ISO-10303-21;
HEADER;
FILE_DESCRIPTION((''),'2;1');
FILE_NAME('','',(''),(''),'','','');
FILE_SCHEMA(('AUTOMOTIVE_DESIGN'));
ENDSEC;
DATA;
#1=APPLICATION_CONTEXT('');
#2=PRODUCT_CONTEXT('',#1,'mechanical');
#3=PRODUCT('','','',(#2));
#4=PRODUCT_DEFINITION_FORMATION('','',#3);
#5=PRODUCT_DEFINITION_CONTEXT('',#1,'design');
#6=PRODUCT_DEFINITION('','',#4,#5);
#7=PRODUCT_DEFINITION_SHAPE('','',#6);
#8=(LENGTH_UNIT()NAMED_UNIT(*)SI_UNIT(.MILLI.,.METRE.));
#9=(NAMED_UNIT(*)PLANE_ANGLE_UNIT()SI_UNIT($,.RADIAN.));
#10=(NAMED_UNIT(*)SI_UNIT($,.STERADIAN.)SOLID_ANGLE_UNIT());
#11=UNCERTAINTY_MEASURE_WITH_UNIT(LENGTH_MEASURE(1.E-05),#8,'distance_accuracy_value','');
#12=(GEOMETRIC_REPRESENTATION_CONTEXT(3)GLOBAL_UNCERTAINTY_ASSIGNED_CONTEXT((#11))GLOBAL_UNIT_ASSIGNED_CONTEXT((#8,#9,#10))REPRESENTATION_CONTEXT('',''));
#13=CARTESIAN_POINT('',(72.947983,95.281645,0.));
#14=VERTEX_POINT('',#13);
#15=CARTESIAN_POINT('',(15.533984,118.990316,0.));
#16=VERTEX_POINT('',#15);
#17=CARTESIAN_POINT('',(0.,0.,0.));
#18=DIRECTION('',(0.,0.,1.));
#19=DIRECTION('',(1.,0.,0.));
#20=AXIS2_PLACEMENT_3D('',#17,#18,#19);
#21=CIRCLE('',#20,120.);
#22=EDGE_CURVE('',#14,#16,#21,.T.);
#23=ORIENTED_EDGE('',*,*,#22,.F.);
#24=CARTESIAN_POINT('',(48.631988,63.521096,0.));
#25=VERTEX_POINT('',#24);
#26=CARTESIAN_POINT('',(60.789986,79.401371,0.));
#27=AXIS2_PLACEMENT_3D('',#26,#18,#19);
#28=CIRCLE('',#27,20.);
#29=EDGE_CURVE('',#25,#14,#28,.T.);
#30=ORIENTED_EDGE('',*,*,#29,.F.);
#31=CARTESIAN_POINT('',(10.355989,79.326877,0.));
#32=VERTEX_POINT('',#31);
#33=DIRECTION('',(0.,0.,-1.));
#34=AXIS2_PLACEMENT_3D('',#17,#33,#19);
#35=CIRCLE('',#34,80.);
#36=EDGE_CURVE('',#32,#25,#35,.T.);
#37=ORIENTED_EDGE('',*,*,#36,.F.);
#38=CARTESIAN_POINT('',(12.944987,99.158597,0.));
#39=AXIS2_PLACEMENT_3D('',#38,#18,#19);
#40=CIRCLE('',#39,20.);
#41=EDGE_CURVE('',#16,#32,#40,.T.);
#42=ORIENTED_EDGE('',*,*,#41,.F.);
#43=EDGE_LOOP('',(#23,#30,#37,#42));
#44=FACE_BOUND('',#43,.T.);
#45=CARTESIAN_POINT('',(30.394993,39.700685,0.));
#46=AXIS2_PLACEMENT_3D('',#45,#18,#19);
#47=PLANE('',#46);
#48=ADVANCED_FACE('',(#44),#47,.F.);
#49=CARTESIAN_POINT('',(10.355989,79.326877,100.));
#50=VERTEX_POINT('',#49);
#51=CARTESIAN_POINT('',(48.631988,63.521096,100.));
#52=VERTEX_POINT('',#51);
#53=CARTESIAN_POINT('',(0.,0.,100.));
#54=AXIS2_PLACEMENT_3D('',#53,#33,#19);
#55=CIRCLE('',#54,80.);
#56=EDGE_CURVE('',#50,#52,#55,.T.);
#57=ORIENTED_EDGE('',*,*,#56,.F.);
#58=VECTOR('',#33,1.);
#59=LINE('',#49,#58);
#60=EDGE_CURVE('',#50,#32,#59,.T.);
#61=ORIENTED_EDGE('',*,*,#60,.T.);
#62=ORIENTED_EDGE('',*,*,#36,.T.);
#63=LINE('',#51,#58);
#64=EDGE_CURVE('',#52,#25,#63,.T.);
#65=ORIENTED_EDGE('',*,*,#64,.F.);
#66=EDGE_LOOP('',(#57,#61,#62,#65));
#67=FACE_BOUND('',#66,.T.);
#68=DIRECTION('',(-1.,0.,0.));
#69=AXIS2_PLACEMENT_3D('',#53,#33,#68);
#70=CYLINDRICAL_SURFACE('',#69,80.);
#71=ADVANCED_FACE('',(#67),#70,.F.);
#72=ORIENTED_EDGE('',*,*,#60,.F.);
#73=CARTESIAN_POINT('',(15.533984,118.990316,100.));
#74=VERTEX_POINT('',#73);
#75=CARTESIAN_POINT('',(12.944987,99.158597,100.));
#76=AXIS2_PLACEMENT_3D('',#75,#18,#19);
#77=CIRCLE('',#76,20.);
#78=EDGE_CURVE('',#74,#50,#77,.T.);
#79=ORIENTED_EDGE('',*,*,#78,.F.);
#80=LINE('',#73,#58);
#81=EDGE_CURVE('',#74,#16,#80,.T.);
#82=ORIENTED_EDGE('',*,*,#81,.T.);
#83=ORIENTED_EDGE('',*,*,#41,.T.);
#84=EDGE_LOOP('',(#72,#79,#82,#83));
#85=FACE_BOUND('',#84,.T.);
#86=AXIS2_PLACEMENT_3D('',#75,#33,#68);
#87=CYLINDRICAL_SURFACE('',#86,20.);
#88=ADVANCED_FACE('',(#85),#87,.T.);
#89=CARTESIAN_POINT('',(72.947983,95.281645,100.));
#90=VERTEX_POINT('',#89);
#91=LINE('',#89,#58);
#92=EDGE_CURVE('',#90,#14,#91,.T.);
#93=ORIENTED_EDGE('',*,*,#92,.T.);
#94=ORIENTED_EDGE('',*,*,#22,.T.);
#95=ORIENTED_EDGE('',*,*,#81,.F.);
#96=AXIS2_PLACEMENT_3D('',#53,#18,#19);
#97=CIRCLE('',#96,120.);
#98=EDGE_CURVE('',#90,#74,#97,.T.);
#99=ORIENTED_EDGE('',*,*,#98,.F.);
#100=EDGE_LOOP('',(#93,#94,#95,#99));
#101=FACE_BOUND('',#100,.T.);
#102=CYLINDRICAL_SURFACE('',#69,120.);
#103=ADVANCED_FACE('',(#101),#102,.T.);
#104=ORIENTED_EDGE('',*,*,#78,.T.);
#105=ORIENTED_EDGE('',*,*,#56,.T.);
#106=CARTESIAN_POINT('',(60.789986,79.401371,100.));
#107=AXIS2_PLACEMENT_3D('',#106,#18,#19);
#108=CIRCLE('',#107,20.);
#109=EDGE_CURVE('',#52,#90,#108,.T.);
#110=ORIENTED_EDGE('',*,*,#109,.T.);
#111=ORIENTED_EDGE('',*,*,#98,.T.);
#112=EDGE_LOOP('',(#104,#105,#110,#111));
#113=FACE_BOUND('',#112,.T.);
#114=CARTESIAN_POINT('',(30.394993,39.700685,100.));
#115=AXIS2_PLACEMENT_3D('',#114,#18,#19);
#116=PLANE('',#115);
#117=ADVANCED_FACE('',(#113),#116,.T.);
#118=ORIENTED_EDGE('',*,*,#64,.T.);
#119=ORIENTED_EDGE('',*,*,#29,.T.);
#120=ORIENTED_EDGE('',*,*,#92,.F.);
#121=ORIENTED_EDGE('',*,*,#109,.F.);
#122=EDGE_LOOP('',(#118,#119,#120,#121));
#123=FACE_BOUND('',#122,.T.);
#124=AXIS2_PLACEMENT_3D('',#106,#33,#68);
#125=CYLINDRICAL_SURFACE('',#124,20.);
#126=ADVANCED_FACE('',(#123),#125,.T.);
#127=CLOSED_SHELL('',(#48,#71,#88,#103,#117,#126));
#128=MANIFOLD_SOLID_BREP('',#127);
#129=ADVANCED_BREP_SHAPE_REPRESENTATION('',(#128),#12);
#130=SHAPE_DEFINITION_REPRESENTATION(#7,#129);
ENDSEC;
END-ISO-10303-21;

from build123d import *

# Parameters (mm, degrees)
BOSS_EXTRUDE1_DEPTH = 100


with BuildPart() as part:
    # Sketch1 → Boss-Extrude1 (new body)
    with BuildSketch(Plane.XY):
        with BuildLine():
            ThreePointArc((72.947982718, 95.281644704), (45.801636185, 110.91532862), (15.533983836, 118.990316187))
            ThreePointArc((15.533983836, 118.990316187), (-6.886732834, 101.747594128), (10.355989224, 79.326877458))
            ThreePointArc((10.355989224, 79.326877458), (30.534424123, 73.943552413), (48.631988478, 63.521096469))
            ThreePointArc((48.631988478, 63.521096469), (76.670259715, 67.243373467), (72.947982718, 95.281644704))
        make_face()
    extrude(amount=BOSS_EXTRUDE1_DEPTH)


solid = part.part
